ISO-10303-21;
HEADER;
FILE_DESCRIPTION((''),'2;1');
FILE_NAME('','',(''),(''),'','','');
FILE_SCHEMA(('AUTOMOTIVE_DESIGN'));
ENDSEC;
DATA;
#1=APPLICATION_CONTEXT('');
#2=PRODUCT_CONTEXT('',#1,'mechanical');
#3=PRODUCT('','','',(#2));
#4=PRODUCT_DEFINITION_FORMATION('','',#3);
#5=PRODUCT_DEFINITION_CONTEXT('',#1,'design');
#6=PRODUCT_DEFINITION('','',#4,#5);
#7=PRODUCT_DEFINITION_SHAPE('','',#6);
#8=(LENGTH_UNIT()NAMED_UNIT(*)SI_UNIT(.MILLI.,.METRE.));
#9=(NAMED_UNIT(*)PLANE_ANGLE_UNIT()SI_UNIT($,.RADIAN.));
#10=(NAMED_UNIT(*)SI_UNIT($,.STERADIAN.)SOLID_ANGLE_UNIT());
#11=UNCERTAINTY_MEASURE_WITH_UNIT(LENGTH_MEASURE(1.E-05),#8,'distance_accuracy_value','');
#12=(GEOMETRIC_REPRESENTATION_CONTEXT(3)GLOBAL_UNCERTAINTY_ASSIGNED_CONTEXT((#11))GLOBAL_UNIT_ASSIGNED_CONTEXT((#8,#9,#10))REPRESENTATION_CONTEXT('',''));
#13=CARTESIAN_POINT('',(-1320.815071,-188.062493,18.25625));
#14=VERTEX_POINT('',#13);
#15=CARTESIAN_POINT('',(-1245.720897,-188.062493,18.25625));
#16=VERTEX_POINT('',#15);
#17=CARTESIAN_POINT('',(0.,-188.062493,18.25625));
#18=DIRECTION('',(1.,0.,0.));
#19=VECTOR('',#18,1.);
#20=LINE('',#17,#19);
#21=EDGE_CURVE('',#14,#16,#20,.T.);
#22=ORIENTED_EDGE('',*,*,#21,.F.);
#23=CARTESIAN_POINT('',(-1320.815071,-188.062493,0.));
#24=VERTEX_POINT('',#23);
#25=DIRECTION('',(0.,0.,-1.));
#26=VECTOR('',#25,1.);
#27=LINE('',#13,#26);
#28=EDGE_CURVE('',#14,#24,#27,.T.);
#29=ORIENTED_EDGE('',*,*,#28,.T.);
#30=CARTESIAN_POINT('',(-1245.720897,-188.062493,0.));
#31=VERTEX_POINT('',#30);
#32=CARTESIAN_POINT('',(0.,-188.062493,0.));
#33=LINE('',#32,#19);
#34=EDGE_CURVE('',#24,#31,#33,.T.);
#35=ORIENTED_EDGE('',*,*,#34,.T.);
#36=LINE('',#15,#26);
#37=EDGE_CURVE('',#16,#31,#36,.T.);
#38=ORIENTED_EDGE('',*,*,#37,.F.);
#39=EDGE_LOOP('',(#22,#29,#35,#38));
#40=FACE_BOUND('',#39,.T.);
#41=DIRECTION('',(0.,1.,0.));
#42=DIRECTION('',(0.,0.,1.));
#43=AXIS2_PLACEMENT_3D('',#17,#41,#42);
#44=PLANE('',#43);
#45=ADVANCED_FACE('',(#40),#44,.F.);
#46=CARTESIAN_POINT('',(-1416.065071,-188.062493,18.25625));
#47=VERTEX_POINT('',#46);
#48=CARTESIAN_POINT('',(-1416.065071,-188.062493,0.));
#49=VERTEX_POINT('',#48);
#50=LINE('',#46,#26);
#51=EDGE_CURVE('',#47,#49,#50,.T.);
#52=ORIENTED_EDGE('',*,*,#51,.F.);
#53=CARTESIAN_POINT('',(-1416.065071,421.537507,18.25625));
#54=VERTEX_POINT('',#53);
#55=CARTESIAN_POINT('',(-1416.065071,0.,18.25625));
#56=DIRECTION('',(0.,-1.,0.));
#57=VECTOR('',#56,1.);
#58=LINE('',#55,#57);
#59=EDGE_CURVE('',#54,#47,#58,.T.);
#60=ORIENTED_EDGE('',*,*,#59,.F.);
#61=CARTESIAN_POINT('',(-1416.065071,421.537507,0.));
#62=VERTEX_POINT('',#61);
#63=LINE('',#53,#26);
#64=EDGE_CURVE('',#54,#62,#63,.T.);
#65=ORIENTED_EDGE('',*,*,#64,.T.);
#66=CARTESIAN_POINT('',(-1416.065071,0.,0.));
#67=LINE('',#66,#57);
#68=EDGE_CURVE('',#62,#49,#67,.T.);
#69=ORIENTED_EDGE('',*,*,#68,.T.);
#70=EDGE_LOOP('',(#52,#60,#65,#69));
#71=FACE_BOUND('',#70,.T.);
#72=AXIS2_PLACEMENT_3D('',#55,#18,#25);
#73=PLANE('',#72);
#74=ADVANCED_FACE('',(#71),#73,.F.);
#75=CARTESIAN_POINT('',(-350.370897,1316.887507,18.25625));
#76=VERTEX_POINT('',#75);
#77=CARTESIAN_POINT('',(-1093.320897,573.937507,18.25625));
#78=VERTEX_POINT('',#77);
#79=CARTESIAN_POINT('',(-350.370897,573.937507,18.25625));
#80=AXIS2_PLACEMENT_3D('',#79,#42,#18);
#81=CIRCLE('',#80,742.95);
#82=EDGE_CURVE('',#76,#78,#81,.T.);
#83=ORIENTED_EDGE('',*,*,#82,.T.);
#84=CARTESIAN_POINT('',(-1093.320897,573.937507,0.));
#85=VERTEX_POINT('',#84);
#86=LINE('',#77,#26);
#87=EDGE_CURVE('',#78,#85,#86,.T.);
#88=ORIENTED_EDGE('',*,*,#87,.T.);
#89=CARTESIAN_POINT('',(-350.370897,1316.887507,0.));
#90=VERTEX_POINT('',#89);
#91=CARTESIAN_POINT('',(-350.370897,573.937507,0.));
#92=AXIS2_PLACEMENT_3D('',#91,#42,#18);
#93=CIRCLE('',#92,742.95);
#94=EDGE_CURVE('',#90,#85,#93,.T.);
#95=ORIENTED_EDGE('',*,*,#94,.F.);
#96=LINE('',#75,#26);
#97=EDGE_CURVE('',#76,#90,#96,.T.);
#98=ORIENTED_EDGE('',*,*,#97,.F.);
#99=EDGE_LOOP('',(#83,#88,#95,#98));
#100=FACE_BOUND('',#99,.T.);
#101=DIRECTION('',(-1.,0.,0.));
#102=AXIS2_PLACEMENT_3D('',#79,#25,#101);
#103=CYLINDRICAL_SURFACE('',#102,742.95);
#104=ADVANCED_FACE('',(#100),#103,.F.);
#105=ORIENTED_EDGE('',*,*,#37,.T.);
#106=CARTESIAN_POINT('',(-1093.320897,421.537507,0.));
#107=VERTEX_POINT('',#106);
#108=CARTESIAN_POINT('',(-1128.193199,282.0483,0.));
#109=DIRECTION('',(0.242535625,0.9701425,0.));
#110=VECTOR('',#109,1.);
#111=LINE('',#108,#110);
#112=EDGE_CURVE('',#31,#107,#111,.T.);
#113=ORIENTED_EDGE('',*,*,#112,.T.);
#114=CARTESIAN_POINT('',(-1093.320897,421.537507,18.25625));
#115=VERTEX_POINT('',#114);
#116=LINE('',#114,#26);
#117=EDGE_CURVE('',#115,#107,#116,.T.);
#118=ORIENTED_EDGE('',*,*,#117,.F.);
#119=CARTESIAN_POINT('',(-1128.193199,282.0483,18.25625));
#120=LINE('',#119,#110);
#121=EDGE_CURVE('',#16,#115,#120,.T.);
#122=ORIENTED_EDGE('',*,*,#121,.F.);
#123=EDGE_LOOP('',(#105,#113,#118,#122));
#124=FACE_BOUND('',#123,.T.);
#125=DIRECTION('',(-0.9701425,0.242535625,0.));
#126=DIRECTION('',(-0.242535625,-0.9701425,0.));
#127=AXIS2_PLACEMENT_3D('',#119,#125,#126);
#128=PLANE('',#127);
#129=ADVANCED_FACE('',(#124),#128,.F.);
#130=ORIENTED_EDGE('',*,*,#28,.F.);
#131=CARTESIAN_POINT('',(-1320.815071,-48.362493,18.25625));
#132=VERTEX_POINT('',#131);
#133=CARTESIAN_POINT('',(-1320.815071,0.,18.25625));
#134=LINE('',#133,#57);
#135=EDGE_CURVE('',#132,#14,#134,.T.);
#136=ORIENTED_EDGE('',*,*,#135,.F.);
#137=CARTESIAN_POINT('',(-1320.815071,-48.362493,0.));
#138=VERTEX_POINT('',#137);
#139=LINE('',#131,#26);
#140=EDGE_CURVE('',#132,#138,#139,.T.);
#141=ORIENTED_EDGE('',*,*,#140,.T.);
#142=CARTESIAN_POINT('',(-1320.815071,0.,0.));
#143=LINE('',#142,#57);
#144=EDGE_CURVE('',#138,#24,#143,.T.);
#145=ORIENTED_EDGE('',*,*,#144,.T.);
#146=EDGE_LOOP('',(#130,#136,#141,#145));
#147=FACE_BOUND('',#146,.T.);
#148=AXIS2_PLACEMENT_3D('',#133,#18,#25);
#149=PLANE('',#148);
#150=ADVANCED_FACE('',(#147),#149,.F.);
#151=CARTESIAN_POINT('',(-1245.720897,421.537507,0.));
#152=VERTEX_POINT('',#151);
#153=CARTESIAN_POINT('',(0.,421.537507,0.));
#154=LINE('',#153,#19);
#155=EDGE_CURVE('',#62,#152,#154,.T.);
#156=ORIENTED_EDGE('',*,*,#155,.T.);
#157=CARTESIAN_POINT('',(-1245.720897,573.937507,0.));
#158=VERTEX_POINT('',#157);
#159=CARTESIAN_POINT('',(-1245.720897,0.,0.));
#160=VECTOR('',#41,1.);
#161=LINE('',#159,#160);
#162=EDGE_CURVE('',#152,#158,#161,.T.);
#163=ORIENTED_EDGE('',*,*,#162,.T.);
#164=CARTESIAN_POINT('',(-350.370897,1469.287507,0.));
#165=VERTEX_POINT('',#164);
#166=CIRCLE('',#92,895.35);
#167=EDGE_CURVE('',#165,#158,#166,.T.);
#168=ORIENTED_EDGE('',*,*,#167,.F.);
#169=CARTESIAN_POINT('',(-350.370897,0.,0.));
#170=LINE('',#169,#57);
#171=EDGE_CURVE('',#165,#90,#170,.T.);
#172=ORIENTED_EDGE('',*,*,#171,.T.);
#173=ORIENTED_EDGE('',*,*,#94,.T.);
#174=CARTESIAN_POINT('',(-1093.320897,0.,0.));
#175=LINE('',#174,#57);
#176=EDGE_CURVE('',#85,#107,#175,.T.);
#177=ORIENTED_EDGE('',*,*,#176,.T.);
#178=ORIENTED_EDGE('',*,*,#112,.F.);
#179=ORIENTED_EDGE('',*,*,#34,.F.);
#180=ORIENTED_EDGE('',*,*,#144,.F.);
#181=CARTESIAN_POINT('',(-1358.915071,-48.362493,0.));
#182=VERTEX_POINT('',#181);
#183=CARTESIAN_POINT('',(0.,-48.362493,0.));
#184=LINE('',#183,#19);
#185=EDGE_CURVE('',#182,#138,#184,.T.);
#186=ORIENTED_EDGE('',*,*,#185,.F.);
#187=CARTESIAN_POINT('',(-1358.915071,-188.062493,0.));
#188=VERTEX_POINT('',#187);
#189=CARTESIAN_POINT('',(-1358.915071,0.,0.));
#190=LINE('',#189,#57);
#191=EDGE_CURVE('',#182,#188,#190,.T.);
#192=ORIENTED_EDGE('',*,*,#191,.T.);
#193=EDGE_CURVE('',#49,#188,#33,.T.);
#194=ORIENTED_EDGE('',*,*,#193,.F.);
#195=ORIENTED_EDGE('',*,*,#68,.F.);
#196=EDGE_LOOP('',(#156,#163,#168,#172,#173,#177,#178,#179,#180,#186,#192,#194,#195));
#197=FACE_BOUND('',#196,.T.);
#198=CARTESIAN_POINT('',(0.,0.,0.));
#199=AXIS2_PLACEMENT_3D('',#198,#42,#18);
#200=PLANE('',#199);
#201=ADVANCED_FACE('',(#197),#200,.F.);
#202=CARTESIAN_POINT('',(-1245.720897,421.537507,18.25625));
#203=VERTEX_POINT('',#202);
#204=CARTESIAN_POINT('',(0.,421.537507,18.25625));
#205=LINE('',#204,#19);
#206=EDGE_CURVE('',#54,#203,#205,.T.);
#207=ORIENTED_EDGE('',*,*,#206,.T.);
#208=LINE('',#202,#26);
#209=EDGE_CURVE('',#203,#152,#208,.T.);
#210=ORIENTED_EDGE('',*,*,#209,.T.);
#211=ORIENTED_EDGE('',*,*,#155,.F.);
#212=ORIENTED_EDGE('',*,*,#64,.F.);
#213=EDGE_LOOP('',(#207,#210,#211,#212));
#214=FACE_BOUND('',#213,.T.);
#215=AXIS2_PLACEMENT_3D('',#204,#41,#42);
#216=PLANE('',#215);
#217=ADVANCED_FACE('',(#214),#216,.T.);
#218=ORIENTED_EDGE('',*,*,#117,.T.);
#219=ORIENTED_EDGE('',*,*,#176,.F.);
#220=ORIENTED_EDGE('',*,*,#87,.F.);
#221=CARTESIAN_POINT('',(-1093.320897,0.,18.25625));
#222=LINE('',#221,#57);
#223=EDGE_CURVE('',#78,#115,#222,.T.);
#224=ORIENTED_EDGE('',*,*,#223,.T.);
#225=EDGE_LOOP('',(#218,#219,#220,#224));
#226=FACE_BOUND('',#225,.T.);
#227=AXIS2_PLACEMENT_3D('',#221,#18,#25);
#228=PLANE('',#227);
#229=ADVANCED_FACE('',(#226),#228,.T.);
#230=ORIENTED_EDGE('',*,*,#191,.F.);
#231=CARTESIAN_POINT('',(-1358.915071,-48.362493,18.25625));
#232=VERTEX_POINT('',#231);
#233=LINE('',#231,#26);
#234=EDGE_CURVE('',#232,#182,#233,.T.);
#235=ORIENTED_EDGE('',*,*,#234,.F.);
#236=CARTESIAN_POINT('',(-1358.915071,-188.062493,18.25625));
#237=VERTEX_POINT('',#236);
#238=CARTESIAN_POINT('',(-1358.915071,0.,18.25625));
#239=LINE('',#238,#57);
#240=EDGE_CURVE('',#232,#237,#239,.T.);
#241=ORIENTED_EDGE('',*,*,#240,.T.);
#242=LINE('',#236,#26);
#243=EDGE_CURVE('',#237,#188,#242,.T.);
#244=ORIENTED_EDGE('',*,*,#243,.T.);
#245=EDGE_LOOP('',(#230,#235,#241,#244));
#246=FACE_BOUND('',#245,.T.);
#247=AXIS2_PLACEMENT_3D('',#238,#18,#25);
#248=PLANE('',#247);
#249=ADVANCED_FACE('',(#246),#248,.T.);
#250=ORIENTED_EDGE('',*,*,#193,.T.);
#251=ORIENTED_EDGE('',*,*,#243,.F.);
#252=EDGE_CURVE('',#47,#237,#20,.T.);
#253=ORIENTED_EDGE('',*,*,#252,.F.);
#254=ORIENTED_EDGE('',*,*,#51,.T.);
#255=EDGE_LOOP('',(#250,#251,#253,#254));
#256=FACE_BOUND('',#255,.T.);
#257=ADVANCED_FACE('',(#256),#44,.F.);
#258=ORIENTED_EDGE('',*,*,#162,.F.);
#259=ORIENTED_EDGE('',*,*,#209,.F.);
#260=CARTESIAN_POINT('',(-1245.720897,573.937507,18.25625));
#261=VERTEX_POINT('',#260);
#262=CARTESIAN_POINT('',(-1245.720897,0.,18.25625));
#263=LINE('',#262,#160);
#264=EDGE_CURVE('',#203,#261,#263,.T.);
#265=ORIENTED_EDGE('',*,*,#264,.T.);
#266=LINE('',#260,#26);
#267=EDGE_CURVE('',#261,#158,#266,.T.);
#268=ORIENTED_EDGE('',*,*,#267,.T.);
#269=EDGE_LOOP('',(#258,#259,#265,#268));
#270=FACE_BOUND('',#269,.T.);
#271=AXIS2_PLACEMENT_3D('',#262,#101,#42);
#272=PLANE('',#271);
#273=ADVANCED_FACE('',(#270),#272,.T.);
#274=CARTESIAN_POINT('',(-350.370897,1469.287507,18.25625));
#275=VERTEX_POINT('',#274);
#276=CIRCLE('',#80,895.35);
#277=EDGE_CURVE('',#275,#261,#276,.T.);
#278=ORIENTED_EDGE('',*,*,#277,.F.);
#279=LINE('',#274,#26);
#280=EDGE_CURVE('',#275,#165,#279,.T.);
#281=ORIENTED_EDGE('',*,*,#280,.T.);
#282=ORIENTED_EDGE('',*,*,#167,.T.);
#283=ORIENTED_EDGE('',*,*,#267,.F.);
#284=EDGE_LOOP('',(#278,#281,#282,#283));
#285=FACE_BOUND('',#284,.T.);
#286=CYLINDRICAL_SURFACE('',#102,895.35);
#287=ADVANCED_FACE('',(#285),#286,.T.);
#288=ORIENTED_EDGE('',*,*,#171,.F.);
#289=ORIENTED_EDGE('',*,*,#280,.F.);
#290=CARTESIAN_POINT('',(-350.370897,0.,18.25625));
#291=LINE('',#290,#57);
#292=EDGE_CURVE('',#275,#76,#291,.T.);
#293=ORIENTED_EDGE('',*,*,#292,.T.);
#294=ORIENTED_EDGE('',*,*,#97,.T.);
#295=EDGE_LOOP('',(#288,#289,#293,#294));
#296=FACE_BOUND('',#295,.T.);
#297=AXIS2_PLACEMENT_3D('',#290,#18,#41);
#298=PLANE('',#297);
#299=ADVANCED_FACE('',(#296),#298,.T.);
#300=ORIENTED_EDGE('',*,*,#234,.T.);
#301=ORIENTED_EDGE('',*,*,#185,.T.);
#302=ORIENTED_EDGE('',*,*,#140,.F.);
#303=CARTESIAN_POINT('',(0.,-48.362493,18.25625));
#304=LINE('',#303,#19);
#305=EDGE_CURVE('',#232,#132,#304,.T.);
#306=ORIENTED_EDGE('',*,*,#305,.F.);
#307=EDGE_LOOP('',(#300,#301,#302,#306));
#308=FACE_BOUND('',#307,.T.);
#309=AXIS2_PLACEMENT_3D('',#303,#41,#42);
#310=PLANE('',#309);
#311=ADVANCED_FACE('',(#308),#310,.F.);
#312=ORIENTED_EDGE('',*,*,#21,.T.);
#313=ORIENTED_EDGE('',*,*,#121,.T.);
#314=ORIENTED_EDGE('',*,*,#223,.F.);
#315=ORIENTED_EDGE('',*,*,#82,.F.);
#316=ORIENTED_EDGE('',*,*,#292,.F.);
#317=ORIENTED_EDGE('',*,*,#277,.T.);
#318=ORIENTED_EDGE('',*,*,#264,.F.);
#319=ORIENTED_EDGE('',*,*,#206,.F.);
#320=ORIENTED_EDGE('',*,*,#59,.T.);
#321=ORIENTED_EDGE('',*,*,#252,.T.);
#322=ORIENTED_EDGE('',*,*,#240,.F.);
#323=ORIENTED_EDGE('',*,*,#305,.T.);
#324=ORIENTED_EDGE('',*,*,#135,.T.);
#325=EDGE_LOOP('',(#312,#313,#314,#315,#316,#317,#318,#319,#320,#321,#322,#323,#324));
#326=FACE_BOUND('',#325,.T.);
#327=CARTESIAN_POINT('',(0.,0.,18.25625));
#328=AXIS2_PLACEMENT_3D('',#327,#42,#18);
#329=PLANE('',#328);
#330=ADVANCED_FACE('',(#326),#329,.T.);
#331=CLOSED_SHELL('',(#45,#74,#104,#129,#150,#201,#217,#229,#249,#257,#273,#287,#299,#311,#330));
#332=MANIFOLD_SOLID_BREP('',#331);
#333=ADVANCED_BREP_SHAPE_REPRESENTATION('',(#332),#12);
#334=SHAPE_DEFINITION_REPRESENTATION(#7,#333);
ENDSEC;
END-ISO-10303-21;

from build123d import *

# Parameters (mm, degrees)
BOSS_EXTRUDE1_DEPTH = 18.25625


with BuildPart() as part:
    # Sketch1 → Boss-Extrude1 (new body)
    with BuildSketch(Plane.XY):
        with BuildLine():
            Line((-1416.065070695, 421.537507263), (-1416.065070695, -188.062492737))
            Line((-1416.065070695, -188.062492737), (-1358.915070695, -188.062492737))
            Line((-1358.915070695, -188.062492737), (-1358.915070695, -48.362492737))
            Line((-1358.915070695, -48.362492737), (-1320.815070695, -48.362492737))
            Line((-1320.815070695, -48.362492737), (-1320.815070695, -188.062492737))
            Line((-1320.815070695, -188.062492737), (-1245.720896666, -188.062492737))
            Line((-1245.720896666, -188.062492737), (-1093.320896666, 421.537507263))
            Line((-1093.320896666, 421.537507263), (-1093.320896666, 573.937507263))
            ThreePointArc((-1093.320896666, 573.937507263), (-875.715879749, 1099.282490346), (-350.370896666, 1316.887507263))
            Line((-350.370896666, 1316.887507263), (-350.370896666, 1469.287507263))
            ThreePointArc((-350.370896666, 1469.287507263), (-983.478953202, 1207.045563799), (-1245.720896666, 573.937507263))
            Line((-1245.720896666, 573.937507263), (-1245.720896666, 421.537507263))
            Line((-1245.720896666, 421.537507263), (-1416.065070695, 421.537507263))
        make_face()
    extrude(amount=BOSS_EXTRUDE1_DEPTH)


solid = part.part
